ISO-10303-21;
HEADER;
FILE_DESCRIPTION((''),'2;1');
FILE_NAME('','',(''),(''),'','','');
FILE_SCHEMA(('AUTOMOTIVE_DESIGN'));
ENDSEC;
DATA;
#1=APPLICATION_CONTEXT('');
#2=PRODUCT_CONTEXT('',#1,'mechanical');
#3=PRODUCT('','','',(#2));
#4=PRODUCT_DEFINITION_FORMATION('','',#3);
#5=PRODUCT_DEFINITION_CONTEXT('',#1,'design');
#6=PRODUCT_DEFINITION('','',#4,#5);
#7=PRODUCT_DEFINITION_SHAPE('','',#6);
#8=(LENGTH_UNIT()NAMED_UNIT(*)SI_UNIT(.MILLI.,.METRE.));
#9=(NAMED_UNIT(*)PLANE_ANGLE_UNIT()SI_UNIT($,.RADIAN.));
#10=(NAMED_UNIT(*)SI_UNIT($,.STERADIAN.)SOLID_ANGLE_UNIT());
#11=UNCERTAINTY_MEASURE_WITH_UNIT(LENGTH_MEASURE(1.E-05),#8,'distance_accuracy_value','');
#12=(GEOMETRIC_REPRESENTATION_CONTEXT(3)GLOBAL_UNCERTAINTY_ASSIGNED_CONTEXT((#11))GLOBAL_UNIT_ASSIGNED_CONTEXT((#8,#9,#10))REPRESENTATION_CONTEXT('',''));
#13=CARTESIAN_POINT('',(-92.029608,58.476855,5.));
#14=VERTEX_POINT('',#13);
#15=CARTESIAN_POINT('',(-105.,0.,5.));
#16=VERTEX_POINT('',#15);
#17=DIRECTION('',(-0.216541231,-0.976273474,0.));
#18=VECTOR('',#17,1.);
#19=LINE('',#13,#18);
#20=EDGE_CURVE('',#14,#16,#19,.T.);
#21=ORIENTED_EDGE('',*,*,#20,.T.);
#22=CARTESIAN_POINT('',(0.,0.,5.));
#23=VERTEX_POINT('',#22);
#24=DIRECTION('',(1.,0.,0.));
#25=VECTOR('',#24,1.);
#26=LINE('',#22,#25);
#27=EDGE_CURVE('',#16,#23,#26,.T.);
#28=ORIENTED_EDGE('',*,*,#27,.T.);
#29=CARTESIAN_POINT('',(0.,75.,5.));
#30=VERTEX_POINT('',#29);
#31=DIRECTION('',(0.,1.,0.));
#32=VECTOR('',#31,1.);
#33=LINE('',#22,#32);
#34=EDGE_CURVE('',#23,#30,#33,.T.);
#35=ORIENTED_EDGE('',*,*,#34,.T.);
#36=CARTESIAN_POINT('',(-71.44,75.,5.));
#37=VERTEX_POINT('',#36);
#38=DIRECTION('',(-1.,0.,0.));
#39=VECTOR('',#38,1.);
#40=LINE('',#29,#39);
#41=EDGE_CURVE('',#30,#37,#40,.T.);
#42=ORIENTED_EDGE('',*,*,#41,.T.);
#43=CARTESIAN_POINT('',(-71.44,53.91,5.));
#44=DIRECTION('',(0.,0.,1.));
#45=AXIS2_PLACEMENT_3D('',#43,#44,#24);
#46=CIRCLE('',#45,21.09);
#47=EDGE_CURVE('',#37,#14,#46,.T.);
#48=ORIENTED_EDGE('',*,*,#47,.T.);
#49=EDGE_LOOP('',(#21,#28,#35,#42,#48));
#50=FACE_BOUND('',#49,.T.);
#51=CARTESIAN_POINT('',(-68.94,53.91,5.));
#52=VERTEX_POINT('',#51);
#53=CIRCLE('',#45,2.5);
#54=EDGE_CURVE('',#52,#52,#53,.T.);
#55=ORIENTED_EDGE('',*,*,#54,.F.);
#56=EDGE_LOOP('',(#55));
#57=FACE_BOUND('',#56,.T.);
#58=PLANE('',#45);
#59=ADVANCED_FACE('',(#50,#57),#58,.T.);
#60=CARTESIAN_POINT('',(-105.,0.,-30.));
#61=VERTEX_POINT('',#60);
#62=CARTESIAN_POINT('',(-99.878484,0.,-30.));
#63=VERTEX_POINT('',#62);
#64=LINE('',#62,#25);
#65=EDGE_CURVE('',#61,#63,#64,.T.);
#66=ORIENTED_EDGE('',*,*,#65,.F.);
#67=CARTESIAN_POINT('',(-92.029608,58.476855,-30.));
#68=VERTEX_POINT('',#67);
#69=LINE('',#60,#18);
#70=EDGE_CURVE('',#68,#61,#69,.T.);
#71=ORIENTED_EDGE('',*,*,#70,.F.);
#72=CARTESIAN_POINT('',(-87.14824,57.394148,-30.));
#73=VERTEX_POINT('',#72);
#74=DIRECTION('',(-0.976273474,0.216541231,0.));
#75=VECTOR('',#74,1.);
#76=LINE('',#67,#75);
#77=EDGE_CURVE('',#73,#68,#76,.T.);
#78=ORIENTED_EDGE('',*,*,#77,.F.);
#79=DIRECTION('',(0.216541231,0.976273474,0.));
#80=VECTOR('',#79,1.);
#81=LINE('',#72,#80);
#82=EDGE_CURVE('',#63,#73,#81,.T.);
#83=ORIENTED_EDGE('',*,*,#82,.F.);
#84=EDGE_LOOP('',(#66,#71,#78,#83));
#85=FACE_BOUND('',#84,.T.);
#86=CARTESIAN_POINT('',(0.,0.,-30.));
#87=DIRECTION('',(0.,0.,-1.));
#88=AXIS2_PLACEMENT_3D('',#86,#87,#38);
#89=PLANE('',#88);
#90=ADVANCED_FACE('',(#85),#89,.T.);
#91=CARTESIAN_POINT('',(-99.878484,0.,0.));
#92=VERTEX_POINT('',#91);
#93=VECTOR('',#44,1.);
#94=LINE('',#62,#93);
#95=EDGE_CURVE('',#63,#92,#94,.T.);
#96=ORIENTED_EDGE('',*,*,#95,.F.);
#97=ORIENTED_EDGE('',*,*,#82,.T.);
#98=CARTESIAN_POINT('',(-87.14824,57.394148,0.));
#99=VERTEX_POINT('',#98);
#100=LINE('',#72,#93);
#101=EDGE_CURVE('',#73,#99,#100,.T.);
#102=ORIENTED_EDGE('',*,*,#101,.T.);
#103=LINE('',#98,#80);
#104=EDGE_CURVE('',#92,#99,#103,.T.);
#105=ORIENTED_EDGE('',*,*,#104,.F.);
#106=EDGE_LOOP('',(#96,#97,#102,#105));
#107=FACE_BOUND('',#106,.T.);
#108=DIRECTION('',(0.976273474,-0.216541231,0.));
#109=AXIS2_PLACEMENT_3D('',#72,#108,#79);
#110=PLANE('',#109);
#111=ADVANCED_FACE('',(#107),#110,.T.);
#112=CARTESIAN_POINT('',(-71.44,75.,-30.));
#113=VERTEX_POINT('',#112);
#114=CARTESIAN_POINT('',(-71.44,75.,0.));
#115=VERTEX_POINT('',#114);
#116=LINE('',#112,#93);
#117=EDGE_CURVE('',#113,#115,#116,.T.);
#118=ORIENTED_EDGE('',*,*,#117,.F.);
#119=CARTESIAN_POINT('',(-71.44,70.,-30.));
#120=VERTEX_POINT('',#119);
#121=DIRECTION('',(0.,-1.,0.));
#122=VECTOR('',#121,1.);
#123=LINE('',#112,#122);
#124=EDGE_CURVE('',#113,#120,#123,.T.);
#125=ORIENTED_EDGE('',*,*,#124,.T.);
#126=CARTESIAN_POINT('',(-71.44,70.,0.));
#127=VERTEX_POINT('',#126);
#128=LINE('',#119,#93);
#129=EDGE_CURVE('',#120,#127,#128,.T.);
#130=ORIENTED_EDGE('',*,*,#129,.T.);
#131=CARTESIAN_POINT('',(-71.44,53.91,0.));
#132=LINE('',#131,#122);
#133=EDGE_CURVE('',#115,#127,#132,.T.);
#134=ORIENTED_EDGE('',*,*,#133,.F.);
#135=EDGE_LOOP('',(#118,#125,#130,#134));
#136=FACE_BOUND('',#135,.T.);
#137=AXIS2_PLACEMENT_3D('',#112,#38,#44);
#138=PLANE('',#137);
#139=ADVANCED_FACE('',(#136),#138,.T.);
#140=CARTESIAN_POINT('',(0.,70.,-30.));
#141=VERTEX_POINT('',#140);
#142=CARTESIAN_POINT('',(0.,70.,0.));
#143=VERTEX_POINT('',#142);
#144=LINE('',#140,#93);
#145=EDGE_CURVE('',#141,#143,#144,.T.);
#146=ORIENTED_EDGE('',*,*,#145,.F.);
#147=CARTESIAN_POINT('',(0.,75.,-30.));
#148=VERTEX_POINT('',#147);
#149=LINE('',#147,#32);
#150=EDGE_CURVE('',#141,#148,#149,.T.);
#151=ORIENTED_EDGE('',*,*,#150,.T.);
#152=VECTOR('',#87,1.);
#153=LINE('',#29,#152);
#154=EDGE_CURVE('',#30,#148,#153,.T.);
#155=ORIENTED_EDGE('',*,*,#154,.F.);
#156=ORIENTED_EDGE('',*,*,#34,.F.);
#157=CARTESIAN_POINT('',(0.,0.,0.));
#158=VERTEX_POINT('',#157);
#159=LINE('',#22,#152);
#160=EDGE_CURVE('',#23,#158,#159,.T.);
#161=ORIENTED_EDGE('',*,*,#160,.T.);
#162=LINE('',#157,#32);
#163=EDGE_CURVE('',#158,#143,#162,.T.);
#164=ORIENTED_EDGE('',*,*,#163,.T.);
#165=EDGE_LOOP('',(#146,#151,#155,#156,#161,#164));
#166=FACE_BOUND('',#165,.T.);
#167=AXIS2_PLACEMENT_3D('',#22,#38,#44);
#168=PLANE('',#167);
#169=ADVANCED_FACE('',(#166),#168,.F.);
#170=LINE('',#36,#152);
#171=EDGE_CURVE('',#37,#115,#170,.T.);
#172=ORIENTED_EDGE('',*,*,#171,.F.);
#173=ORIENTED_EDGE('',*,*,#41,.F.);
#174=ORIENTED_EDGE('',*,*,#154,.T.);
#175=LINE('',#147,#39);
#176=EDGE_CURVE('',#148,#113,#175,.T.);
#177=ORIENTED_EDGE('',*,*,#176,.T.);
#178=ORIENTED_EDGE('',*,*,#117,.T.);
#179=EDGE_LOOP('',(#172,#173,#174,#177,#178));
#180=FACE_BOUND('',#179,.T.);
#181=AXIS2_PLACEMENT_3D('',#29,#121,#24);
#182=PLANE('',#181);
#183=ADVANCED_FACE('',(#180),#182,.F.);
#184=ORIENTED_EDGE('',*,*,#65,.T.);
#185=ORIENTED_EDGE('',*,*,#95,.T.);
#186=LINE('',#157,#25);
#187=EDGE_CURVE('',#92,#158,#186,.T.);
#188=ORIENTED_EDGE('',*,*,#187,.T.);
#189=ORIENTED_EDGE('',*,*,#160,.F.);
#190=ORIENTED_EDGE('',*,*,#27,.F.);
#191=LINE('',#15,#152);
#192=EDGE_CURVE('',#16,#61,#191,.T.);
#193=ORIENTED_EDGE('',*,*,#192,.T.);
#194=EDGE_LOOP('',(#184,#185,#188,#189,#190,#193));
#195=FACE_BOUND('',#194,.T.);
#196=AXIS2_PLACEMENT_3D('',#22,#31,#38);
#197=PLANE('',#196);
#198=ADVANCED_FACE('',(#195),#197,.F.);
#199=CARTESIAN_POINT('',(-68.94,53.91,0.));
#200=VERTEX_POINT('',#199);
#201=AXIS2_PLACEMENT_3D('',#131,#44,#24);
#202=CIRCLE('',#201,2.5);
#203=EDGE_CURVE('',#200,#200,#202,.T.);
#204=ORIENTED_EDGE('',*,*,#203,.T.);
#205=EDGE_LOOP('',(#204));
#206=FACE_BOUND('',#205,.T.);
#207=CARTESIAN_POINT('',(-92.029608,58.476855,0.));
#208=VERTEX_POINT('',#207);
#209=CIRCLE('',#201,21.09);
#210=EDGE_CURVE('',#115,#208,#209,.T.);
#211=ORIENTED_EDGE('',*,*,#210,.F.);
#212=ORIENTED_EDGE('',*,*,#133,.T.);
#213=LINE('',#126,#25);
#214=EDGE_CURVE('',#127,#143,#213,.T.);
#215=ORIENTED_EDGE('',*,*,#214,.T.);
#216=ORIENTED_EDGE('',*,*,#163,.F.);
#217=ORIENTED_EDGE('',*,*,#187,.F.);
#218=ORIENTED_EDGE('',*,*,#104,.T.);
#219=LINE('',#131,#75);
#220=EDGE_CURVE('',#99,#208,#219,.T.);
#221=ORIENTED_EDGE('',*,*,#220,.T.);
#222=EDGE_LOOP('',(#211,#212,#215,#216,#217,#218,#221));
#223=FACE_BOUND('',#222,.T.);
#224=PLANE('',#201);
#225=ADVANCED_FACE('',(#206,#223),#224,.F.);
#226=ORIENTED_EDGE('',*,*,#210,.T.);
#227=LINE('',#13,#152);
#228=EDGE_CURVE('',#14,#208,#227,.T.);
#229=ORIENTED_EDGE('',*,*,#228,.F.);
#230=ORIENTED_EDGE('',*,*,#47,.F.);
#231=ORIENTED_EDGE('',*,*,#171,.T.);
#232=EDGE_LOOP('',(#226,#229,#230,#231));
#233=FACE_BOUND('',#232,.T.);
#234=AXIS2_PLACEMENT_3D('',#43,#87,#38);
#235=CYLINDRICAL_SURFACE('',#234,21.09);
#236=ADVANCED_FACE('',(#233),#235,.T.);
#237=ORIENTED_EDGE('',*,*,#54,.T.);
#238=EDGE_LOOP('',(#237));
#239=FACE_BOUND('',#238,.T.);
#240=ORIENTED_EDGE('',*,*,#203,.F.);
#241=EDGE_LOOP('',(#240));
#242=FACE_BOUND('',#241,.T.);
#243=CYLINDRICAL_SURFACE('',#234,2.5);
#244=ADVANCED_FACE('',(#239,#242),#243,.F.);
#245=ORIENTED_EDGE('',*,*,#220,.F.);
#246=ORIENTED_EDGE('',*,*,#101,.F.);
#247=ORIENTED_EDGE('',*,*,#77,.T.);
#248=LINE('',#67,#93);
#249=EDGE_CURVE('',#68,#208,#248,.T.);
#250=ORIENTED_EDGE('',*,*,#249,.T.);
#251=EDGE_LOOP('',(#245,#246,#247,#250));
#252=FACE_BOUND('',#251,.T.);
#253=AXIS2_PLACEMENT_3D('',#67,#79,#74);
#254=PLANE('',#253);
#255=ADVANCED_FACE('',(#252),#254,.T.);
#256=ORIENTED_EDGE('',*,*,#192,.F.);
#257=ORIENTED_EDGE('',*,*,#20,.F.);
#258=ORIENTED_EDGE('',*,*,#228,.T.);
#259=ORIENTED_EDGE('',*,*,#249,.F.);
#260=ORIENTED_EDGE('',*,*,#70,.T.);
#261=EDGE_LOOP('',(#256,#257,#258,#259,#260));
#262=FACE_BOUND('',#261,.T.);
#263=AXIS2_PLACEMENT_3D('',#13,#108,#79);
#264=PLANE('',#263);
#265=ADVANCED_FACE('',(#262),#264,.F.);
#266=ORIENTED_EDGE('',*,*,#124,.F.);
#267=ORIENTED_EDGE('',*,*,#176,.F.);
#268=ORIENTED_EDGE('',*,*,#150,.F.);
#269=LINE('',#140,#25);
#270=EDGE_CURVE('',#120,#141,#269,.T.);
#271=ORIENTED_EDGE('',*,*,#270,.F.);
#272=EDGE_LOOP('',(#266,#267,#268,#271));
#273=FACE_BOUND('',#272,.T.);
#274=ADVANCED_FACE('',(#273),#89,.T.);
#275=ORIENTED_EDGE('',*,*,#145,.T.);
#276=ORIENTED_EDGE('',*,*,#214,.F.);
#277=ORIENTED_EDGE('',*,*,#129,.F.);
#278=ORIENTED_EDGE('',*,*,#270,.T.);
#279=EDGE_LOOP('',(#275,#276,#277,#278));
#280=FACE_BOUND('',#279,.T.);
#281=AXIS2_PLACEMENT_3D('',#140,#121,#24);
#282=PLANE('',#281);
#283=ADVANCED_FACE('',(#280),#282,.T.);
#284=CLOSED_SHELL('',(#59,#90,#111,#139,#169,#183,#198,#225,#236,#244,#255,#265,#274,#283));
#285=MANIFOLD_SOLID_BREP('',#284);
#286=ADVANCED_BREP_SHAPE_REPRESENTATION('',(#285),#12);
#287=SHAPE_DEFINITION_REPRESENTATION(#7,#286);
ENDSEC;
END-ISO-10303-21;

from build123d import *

# Parameters (mm, degrees)
SKETCH1_R           = 2.5
BOSS_EXTRUDE1_DEPTH = 5
SKETCH2_W           = 71.44
SKETCH2_H           = 5
BOSS_EXTRUDE2_DEPTH = 35


with BuildPart() as part:
    # Sketch1 → Boss-Extrude1 (new body)
    with BuildSketch(Plane.XY):
        with BuildLine():
            Line((-92.029607558, 58.476854566), (-105, 0))
            Line((-105, 0), (0, 0))
            Line((0, 0), (0, 75))
            Line((0, 75), (-71.44, 75))
            ThreePointArc((-71.44, 75), (-84.639870022, 70.358450729), (-92.029607558, 58.476854566))
        make_face()
        with Locations((-71.44, 53.91)):
            Circle(SKETCH1_R, mode=Mode.SUBTRACT)
    extrude(amount=BOSS_EXTRUDE1_DEPTH)

    # Sketch2 → Boss-Extrude2 (add)
    with BuildSketch(Plane.XY.offset(5)):
        Polygon((-105, 0), (-92.029607558, 58.476854566), (-87.14824019, 57.39414841), (-99.878484221, 0), align=None)
        with Locations((-35.72, 72.5)):
            Rectangle(SKETCH2_W, SKETCH2_H)
    extrude(amount=-BOSS_EXTRUDE2_DEPTH)


solid = part.part
